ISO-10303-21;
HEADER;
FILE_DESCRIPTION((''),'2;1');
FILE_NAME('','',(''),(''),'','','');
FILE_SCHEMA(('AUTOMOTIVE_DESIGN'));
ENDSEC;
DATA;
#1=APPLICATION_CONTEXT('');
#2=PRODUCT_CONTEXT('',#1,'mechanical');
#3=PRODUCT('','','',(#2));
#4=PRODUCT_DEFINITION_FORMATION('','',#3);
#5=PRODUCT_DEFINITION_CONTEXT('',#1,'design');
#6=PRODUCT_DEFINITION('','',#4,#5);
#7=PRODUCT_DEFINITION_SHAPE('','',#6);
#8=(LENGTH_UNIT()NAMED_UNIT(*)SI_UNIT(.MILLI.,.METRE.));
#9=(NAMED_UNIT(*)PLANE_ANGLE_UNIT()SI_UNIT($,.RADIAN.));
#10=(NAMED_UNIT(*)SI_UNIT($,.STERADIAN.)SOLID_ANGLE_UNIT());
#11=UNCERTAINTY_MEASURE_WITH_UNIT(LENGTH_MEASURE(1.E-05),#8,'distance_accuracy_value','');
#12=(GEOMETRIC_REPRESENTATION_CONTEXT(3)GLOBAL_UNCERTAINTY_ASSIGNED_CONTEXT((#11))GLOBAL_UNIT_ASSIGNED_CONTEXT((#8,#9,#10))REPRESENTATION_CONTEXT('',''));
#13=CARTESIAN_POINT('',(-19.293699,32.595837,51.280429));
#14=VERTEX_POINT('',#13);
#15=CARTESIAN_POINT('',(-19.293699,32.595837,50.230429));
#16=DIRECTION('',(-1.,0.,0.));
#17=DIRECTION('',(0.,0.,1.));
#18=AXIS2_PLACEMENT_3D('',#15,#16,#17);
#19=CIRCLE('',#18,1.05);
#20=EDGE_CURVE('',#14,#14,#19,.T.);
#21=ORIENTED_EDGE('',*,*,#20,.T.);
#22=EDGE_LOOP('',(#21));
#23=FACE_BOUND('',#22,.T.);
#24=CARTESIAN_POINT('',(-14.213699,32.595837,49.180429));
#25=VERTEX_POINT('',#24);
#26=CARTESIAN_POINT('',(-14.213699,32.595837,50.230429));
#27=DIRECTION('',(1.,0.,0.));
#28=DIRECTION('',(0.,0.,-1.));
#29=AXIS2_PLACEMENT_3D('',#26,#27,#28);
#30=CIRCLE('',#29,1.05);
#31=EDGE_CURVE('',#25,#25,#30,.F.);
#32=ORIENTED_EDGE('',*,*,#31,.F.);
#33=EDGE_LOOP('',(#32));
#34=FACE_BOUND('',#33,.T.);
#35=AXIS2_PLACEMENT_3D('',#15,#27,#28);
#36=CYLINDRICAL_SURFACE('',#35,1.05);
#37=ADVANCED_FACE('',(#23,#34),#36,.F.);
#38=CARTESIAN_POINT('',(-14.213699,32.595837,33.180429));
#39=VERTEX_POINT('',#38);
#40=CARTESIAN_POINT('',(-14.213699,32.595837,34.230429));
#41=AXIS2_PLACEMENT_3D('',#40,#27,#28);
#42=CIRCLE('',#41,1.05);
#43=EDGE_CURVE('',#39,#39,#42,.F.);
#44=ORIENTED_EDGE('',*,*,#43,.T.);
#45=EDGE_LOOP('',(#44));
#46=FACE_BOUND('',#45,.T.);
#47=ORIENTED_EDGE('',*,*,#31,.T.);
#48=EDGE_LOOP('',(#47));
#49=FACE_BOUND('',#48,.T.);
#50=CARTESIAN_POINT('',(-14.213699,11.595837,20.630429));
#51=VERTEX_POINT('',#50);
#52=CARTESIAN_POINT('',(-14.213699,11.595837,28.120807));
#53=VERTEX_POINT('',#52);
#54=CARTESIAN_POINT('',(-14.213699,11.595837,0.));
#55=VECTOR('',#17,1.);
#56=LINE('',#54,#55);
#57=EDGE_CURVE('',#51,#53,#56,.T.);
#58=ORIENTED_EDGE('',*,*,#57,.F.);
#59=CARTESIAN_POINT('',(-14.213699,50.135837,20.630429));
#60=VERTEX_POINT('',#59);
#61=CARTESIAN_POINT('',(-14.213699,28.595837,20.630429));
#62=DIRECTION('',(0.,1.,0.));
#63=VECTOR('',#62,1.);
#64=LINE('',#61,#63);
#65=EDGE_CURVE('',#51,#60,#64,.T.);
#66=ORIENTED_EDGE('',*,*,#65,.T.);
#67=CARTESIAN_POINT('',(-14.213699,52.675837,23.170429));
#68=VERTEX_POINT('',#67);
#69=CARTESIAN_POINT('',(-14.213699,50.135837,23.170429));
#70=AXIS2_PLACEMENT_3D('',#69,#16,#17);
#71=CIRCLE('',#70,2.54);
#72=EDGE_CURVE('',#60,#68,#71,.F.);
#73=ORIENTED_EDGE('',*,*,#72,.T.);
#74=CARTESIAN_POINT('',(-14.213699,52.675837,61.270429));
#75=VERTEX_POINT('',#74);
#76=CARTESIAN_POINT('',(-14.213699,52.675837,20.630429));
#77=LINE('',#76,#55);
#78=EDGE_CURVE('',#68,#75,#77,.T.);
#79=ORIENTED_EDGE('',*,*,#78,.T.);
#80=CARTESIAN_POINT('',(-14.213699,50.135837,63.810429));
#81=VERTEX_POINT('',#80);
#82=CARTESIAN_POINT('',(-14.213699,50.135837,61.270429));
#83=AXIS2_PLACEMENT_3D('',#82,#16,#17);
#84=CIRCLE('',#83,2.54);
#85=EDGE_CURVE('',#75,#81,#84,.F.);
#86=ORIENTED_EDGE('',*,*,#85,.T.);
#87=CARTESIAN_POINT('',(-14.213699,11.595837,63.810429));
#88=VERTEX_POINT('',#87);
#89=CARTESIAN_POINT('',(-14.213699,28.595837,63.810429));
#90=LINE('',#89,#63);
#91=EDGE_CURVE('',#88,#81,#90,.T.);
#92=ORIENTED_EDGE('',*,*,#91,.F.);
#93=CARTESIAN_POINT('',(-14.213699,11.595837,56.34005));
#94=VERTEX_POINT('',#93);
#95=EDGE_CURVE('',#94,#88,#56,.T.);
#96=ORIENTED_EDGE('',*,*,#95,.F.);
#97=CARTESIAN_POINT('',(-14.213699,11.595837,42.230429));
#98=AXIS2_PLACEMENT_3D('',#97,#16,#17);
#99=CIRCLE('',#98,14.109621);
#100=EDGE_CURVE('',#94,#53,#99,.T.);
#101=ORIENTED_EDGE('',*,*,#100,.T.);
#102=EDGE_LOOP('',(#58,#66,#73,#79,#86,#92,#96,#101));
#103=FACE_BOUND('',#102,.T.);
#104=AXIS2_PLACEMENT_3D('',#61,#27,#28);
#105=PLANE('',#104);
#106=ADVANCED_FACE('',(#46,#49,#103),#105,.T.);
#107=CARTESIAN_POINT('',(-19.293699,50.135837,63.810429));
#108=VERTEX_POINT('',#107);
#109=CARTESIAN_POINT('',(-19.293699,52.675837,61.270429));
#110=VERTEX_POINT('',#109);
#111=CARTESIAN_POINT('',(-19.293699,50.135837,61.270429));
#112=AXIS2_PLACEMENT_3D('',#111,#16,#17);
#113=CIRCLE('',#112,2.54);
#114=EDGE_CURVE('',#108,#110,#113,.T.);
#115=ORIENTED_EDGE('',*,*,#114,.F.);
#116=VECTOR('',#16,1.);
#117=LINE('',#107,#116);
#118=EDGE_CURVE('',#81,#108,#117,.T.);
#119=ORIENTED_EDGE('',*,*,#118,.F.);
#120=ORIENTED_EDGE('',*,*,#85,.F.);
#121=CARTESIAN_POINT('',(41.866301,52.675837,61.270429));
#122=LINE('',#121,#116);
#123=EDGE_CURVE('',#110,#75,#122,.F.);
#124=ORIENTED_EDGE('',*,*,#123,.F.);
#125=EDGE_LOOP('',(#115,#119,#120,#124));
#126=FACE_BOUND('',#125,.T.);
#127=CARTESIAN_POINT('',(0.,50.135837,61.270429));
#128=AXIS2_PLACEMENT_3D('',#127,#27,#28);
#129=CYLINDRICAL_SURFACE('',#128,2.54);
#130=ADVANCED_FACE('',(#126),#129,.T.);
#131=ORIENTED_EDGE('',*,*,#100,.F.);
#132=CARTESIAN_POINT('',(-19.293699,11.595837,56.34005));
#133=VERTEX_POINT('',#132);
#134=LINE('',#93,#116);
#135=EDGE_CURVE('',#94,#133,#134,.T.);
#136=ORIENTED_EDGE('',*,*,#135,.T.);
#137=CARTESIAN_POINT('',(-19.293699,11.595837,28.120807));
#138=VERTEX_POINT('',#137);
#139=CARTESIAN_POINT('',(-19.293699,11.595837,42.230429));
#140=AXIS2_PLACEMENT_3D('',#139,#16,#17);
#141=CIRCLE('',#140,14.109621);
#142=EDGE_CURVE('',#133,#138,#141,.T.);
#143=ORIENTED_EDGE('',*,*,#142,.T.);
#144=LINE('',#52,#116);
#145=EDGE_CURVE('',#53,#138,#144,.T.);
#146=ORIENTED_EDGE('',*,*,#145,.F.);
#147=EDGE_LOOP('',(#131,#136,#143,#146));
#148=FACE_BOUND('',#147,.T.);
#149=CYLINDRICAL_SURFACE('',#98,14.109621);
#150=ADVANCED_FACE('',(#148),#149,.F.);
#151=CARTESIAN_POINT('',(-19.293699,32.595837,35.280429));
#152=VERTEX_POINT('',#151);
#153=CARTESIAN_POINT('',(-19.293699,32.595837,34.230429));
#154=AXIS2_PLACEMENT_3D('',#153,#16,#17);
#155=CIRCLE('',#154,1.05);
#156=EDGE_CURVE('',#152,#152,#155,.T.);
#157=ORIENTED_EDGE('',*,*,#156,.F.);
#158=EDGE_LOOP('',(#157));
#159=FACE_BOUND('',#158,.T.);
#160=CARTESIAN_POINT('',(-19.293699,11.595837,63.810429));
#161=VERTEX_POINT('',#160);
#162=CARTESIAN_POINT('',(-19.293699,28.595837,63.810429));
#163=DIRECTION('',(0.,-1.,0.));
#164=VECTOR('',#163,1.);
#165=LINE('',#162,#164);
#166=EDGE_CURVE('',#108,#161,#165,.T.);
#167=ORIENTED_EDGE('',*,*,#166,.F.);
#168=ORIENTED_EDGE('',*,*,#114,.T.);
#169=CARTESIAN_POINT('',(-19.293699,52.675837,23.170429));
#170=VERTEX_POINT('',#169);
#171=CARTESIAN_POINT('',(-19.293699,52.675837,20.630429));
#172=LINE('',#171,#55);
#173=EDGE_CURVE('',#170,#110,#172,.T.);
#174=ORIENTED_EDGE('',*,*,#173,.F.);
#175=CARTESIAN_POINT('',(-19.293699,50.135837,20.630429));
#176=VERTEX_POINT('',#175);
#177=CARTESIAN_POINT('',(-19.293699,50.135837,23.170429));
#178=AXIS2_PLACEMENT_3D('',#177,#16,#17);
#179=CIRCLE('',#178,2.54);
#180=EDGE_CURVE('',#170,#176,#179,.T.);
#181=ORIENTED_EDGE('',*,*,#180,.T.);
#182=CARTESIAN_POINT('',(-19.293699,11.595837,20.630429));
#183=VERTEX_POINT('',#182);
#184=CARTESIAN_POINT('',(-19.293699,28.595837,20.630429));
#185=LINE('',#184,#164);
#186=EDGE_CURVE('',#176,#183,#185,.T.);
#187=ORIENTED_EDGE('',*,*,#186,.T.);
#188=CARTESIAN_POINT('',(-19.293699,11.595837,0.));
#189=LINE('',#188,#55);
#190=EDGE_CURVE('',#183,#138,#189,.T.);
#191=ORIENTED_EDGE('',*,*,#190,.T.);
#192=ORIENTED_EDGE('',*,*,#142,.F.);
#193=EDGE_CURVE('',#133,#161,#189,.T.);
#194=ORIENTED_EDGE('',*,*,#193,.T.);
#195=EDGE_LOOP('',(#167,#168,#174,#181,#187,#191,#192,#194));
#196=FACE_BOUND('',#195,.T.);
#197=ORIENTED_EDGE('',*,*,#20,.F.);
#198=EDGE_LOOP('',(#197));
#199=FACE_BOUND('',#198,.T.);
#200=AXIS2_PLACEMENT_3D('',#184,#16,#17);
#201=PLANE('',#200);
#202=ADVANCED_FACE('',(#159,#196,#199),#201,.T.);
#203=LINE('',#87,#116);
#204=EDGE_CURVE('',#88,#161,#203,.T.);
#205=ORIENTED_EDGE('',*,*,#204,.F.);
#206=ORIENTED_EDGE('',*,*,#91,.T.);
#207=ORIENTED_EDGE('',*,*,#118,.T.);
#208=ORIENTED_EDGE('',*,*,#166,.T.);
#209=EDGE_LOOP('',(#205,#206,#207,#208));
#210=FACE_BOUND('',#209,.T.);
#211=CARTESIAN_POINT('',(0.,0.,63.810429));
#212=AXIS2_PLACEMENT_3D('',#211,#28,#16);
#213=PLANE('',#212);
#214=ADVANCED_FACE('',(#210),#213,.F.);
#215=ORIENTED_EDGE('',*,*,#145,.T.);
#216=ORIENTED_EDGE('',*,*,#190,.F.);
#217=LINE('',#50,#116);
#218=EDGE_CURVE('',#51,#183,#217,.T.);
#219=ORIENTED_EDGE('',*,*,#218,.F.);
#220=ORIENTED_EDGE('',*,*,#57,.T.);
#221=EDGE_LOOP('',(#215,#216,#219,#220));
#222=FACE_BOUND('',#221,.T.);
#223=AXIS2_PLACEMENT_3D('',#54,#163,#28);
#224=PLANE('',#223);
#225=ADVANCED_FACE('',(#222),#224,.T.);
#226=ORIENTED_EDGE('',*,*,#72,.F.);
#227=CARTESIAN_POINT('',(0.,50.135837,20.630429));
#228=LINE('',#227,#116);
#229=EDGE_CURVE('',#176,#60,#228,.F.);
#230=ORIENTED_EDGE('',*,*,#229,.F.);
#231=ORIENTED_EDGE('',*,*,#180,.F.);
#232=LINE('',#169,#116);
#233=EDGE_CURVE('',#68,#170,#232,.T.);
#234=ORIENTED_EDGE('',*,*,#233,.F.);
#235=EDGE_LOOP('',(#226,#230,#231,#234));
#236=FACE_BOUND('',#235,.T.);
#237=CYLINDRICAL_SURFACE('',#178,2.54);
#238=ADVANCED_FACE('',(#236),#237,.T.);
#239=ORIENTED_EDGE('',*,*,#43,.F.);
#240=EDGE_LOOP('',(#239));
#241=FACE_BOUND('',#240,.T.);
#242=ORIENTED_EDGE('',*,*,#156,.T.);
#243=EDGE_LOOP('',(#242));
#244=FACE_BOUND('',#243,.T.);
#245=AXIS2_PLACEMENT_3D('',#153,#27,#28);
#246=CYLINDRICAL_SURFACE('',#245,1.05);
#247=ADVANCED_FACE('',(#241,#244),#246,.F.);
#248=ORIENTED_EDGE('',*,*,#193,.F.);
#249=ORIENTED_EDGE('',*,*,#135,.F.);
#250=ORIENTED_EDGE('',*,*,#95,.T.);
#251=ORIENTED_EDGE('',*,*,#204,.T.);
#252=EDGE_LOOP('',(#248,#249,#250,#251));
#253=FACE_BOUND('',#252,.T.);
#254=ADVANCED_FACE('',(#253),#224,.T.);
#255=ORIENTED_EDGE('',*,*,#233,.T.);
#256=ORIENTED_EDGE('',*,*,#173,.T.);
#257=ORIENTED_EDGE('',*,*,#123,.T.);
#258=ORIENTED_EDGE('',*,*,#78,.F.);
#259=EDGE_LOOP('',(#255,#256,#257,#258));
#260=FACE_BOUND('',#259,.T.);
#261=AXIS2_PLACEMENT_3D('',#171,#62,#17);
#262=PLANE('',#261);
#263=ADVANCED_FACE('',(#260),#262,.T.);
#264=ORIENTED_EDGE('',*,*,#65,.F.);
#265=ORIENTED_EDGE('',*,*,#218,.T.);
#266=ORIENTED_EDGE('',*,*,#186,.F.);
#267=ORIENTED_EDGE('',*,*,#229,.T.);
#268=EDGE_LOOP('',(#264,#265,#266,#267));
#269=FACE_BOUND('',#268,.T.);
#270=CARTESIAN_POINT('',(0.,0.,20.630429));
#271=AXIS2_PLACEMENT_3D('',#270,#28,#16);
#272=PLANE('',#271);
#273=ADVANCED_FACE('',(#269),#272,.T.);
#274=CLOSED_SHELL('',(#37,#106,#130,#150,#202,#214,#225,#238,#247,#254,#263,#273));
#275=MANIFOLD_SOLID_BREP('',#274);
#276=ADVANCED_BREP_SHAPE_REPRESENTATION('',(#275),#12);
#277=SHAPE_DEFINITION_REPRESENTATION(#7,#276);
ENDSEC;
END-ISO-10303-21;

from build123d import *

# Parameters (mm, degrees)
BOSS_EXTRUDE1_START     = 5.08
BOSS_EXTRUDE1_DEPTH     = 43.18
SKETCH2_W               = 51
SKETCH2_H               = 8.231998532
BOSS_EXTRUDE2_DEPTH     = 5.08
CUT_EXTRUDE1_DEPTH      = 100.957396182
CUT_EXTRUDE1_DEPTH_BACK = 5.08
SKETCH3_R               = 1.05
SKETCH4_R               = 1.25
CUT_EXTRUDE2_DEPTH      = 5.08
SKETCH5_W               = 51
SKETCH5_H               = 8.231998532
BOSS_EXTRUDE3_DEPTH     = 5.08
BOSS_EXTRUDE4_DEPTH     = 5.08
FILLET1_R               = 2.54
SKETCH7_W               = 75.202673557
SKETCH7_H               = 41.660019182
CUT_EXTRUDE3_DEPTH      = 80.950255842


with BuildPart() as part:
    # Sketch1 → Boss-Extrude1 (new body)
    with BuildSketch(Plane.XY.offset(58.730428606).offset(BOSS_EXTRUDE1_START)):
        Polygon((-14.213699035, 28.595837466), (-14.213699035, 47.595837466), (36.786300965, 47.595837466), (36.786300965, 28.595837466), (41.866300965, 28.595837466), (41.866300965, 52.675837466), (-19.293699035, 52.675837466), (-19.293699035, 28.595837466), align=None)
    extrude(amount=-BOSS_EXTRUDE1_DEPTH)

    # Sketch2 → Boss-Extrude2 (add)
    with BuildSketch(Plane(origin=(0, 0, 20.630428606), x_dir=(-1, 0, 0), z_dir=(0, 0, -1))):
        with Locations((-11.286300965, 43.4798382)):
            Rectangle(SKETCH2_W, SKETCH2_H)
    extrude(amount=-BOSS_EXTRUDE2_DEPTH)

    # Sketch3 → Cut-Extrude1 (cut, two sides: drawn at the far end of the back side and taken through both)
    with BuildSketch(Plane.ZY.offset(-36.786300965).offset(-CUT_EXTRUDE1_DEPTH_BACK)):
        with Locations(Location((50.230428606, 32.595837466, 0), (0, 0, 180))):
            Circle(SKETCH3_R)
        with Locations(Location((34.230428606, 32.595837466, 0), (0, 0, 180))):
            Circle(SKETCH3_R)
    extrude(amount=CUT_EXTRUDE1_DEPTH + CUT_EXTRUDE1_DEPTH_BACK, mode=Mode.SUBTRACT)

    # Sketch4 → Cut-Extrude2 (cut)
    with BuildSketch(Plane(origin=(0, 47.595837466, 0), x_dir=(-1, 0, 0), z_dir=(0, -1, 0))):
        with Locations(Location((-22.286300965, -42.230428606, 0), (0, 0, 90))):
            Circle(SKETCH4_R)
        with Locations(Location((-11.286300965, -53.230428606, 0), (0, 0, 90))):
            Circle(SKETCH4_R)
        with Locations(Location((-11.286300965, -31.230428606, 0), (0, 0, 90))):
            Circle(SKETCH4_R)
        with Locations(Location((-0.286300965, -42.230428606, 0), (0, 0, 90))):
            Circle(SKETCH4_R)
    extrude(amount=-CUT_EXTRUDE2_DEPTH, mode=Mode.SUBTRACT)

    # Sketch5 → Boss-Extrude3 (add)
    with BuildSketch(Plane.XY.offset(63.810428606)):
        with Locations((11.286300965, 43.4798382)):
            Rectangle(SKETCH5_W, SKETCH5_H)
    extrude(amount=-BOSS_EXTRUDE3_DEPTH)

    # Sketch6 → Boss-Extrude4 (add)
    with BuildSketch(Plane.ZY.offset(19.293699035)):
        with BuildLine():
            Line((63.810428606, 28.595837466), (20.630428606, 28.595837466))
            Line((20.630428606, 28.595837466), (20.630428606, 11.595837466))
            Line((20.630428606, 11.595837466), (28.120807374, 11.595837466))
            ThreePointArc((28.120807374, 11.595837466), (42.230428606, 25.705458697), (56.340049838, 11.595837466))
            Line((56.340049838, 11.595837466), (63.810428606, 11.595837466))
            Line((63.810428606, 11.595837466), (63.810428606, 28.595837466))
        make_face()
    extrude(amount=-BOSS_EXTRUDE4_DEPTH)

    # Fillet1
    fillet1_edges = [part.edges().sort_by_distance(p)[0] for p in [
        (41.866300965, 52.675837466, 42.220428606),
        (39.326300965, 28.595837466, 20.630428606),
        (11.286300965, 52.675837466, 20.630428606),
        (-14.213699035, 39.363838934, 23.170428606),
        (-14.213699035, 39.363838934, 61.270428606),
        (11.286300965, 52.675837466, 63.810428606),
        (39.326300965, 28.595837466, 63.810428606),
    ]]
    fillet(fillet1_edges, radius=FILLET1_R)

    # Sketch7 → Cut-Extrude3 (cut, through all)
    with BuildSketch(Plane.XY.offset(63.810428606)):
        with Locations((23.387637744, 39.269623894)):
            Rectangle(SKETCH7_W, SKETCH7_H)
    extrude(amount=-CUT_EXTRUDE3_DEPTH, mode=Mode.SUBTRACT)


solid = part.part
